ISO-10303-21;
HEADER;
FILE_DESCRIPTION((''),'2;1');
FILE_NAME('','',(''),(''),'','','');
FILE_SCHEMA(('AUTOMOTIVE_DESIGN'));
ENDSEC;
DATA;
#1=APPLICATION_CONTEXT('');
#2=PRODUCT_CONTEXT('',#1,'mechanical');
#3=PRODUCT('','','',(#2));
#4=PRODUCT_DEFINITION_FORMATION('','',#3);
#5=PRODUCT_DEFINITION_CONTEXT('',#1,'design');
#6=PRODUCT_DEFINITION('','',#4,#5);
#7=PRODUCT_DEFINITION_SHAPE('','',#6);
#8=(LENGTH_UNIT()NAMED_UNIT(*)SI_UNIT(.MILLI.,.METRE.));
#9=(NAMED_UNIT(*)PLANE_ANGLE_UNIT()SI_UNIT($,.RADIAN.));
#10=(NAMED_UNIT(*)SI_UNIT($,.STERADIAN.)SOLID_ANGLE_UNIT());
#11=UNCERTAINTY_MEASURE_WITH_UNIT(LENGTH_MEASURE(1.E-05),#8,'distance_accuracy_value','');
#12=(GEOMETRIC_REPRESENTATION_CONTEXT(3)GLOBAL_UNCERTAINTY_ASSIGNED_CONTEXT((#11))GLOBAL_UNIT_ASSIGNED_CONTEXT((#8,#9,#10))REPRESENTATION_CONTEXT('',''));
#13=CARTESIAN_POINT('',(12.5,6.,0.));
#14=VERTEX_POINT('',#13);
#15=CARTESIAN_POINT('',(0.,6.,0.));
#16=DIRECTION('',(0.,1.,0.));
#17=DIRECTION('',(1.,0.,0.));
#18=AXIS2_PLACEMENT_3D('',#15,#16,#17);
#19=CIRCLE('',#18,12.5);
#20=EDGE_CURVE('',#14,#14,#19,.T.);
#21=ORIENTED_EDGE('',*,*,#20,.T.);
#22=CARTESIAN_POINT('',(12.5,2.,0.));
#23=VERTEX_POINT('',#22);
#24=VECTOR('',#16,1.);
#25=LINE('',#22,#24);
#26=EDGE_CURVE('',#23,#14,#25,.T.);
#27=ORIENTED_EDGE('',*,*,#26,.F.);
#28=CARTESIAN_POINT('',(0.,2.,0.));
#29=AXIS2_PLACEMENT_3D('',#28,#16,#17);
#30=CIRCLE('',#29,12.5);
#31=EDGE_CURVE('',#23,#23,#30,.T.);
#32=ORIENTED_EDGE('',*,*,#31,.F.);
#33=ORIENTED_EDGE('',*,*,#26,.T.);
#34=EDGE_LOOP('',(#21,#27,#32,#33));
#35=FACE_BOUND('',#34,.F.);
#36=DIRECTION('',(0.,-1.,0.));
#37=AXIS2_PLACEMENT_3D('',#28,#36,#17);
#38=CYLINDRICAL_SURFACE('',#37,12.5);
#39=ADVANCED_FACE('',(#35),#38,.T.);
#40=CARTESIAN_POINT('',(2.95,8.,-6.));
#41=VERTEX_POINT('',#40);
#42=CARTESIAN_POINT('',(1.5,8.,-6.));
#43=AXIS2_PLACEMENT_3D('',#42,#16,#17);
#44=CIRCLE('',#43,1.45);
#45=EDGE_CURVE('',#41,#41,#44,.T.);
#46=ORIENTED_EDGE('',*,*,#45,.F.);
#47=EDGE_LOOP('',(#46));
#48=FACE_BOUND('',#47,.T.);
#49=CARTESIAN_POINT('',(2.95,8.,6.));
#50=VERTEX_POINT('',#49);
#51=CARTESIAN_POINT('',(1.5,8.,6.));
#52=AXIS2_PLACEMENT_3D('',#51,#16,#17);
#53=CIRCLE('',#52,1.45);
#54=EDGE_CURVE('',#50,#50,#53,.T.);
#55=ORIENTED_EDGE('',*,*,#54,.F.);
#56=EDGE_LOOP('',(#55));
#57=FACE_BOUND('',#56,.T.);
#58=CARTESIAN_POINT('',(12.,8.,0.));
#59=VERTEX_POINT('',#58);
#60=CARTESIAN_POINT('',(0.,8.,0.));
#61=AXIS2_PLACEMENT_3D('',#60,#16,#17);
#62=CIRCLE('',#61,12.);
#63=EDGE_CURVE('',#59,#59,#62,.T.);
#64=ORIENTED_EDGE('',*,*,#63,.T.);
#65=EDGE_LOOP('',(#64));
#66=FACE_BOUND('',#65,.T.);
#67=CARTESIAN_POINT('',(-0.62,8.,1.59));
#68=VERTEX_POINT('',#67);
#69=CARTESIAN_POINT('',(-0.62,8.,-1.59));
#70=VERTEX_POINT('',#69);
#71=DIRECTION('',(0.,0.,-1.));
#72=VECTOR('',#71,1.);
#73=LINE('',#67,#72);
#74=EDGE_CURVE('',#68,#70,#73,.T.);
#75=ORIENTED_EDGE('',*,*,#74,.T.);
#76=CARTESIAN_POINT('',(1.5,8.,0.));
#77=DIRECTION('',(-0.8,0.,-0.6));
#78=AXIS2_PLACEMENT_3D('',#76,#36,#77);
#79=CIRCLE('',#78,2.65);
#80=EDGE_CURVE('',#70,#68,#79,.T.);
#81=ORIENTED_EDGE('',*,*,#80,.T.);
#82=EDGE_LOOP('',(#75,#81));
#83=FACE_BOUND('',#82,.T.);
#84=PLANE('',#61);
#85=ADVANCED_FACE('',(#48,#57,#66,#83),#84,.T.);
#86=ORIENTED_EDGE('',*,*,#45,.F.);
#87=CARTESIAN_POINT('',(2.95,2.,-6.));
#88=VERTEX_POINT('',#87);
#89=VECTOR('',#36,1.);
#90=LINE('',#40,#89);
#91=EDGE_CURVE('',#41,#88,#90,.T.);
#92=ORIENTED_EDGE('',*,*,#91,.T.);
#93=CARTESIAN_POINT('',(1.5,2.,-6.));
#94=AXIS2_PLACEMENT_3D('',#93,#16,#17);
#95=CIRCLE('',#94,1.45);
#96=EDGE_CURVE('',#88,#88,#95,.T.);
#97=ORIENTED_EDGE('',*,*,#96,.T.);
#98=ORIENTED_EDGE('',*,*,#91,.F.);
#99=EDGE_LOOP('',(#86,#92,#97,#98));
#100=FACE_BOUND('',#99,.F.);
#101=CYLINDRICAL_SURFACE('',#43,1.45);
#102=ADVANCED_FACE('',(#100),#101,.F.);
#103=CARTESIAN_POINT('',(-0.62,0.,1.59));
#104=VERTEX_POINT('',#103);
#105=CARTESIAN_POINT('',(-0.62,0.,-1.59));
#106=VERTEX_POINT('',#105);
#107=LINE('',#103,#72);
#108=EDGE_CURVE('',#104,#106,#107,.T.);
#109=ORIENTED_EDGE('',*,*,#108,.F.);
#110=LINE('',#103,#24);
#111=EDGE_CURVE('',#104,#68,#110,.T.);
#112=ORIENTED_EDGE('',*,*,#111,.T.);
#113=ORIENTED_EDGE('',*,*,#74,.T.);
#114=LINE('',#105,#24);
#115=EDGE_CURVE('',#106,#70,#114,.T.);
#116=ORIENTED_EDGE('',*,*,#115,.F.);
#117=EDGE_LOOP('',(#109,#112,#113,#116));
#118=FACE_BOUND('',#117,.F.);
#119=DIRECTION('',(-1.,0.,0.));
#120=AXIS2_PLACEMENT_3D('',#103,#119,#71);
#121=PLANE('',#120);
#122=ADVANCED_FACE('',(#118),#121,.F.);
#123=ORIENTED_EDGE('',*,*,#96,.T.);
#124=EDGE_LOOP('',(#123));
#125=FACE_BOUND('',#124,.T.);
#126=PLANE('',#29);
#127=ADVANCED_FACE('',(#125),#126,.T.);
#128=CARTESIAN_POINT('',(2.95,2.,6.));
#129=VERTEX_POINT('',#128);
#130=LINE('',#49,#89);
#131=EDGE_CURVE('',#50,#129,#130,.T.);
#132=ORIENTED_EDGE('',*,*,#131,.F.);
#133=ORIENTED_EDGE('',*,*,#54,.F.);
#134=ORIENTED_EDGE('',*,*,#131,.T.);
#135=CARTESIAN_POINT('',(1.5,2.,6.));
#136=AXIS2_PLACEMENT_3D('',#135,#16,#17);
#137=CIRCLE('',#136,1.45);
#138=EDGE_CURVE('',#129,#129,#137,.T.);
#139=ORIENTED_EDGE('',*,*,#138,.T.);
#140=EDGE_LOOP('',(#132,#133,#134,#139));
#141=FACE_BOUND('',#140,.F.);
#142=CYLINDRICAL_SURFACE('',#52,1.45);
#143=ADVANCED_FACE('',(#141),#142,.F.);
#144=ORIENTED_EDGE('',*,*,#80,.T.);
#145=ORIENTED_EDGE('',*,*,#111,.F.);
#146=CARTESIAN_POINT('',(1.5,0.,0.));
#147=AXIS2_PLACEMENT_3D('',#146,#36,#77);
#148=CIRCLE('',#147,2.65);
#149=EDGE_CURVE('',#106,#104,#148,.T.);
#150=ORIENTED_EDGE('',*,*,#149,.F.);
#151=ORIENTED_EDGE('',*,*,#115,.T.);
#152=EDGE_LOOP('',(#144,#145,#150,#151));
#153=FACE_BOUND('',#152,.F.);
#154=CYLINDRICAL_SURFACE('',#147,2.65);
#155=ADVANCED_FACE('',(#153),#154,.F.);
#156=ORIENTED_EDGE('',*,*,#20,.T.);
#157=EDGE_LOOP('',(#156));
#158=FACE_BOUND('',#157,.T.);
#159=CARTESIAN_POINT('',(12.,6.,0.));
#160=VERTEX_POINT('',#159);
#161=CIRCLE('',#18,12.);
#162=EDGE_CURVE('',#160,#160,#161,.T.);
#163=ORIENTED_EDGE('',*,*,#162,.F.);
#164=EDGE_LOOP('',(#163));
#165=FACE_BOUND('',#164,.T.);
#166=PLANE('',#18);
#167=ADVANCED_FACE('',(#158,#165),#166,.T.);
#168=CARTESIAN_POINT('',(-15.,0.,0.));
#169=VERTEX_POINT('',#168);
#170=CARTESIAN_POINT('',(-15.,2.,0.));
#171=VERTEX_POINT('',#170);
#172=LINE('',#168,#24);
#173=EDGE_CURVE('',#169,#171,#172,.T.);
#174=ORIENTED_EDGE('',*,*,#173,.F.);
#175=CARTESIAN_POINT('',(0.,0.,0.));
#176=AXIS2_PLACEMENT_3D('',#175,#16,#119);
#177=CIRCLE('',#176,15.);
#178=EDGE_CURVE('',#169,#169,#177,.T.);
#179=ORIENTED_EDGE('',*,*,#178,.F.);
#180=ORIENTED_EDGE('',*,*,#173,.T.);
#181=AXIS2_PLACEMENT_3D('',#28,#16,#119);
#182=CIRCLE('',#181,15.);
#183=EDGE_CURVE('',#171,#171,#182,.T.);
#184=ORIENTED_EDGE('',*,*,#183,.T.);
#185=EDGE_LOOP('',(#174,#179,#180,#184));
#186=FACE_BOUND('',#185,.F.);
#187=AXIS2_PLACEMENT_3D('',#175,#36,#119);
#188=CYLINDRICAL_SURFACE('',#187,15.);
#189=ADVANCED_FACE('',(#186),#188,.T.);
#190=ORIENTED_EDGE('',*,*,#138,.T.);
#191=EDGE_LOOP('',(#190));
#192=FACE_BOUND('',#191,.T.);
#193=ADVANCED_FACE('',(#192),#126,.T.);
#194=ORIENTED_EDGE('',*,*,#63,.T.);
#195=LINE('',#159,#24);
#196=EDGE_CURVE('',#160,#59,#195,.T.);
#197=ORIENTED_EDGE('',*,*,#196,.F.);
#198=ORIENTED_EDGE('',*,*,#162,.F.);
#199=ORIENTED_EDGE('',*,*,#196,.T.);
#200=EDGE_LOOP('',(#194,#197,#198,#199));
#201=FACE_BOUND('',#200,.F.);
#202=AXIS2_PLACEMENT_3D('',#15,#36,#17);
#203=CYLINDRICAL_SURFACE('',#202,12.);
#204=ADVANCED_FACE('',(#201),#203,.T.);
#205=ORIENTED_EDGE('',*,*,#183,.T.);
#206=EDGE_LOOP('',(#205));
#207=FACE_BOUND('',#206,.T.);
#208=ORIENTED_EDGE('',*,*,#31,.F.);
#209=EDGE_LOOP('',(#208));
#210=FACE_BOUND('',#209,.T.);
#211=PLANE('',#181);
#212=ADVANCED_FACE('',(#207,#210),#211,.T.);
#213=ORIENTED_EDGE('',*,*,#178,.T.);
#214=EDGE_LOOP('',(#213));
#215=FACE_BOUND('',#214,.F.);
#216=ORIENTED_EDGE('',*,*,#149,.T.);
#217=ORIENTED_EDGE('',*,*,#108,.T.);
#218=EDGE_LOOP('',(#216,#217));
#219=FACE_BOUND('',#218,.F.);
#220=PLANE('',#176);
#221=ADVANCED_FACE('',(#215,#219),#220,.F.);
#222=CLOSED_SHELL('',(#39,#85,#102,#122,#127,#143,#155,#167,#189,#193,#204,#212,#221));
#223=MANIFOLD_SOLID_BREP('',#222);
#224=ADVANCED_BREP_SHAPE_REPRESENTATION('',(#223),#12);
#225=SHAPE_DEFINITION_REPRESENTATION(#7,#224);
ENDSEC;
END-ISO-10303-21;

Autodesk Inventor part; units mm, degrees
ref_plane "YZ Plane" through (0, 0, 0) normal (1, 0, 0) x (0, 1, 0)
ref_plane "XZ Plane" through (0, 0, 0) normal (0, 1, 0) x (-1, 0, 0)
ref_plane "XY Plane" through (0, 0, 0) normal (0, 0, 1) x (1, 0, 0)
sketch "Szkic1" plane through (0, 0, 0) normal (0, 1, 0) x (-1, 0, 0)
  circle A0 centre (0, 0) radius 15
  dimension "d0" = 30
extrude "Wyciągnięcie proste1" add sketch "Szkic1" along normal blind 2
sketch "Szkic2" plane through (0, 2, 0) normal (0, 1, 0) x (1, 0, 0)
  circle A0 centre (0, 0) radius 12.5
  dimension "d3" = 25
extrude "Wyciągnięcie proste2" add sketch "Szkic2" along normal blind 4
sketch "Szkic9" plane through (0, 6, 0) normal (0, 1, 0) x (1, 0, 0)
  circle A0 centre (0, 0) radius 12
  dimension "d22" = 24
extrude "Wyciągnięcie proste7" add sketch "Szkic9" along normal blind 2
sketch "Szkic11" plane through (0, 8, 0) normal (0, 1, 0) x (1, 0, 0)
  circle A0 centre (1.5, -6) radius 1.45
  circle A1 centre (1.5, 6) radius 1.45
  point P0 (0, 0)
  dimension "d25" = 2.9
  dimension "d26" = 2.9
extrude "Wyciągnięcie proste8" cut sketch "Szkic11" against normal blind 6
sketch "Szkic5" plane through (0, 0, 0) normal (0, -1, 0) x (1, 0, 0)
  arc A0 (-0.62, -1.59) -> (-0.62, 1.59) centre (1.5, 0) ccw
  line L0 (-0.62, 1.59) -> (-0.62, -1.59)
  point P0 (0, 0)
extrude "Wyciągnięcie proste5" cut sketch "Szkic5" against normal blind 8
properties part number "Rotor_shaft_21"
